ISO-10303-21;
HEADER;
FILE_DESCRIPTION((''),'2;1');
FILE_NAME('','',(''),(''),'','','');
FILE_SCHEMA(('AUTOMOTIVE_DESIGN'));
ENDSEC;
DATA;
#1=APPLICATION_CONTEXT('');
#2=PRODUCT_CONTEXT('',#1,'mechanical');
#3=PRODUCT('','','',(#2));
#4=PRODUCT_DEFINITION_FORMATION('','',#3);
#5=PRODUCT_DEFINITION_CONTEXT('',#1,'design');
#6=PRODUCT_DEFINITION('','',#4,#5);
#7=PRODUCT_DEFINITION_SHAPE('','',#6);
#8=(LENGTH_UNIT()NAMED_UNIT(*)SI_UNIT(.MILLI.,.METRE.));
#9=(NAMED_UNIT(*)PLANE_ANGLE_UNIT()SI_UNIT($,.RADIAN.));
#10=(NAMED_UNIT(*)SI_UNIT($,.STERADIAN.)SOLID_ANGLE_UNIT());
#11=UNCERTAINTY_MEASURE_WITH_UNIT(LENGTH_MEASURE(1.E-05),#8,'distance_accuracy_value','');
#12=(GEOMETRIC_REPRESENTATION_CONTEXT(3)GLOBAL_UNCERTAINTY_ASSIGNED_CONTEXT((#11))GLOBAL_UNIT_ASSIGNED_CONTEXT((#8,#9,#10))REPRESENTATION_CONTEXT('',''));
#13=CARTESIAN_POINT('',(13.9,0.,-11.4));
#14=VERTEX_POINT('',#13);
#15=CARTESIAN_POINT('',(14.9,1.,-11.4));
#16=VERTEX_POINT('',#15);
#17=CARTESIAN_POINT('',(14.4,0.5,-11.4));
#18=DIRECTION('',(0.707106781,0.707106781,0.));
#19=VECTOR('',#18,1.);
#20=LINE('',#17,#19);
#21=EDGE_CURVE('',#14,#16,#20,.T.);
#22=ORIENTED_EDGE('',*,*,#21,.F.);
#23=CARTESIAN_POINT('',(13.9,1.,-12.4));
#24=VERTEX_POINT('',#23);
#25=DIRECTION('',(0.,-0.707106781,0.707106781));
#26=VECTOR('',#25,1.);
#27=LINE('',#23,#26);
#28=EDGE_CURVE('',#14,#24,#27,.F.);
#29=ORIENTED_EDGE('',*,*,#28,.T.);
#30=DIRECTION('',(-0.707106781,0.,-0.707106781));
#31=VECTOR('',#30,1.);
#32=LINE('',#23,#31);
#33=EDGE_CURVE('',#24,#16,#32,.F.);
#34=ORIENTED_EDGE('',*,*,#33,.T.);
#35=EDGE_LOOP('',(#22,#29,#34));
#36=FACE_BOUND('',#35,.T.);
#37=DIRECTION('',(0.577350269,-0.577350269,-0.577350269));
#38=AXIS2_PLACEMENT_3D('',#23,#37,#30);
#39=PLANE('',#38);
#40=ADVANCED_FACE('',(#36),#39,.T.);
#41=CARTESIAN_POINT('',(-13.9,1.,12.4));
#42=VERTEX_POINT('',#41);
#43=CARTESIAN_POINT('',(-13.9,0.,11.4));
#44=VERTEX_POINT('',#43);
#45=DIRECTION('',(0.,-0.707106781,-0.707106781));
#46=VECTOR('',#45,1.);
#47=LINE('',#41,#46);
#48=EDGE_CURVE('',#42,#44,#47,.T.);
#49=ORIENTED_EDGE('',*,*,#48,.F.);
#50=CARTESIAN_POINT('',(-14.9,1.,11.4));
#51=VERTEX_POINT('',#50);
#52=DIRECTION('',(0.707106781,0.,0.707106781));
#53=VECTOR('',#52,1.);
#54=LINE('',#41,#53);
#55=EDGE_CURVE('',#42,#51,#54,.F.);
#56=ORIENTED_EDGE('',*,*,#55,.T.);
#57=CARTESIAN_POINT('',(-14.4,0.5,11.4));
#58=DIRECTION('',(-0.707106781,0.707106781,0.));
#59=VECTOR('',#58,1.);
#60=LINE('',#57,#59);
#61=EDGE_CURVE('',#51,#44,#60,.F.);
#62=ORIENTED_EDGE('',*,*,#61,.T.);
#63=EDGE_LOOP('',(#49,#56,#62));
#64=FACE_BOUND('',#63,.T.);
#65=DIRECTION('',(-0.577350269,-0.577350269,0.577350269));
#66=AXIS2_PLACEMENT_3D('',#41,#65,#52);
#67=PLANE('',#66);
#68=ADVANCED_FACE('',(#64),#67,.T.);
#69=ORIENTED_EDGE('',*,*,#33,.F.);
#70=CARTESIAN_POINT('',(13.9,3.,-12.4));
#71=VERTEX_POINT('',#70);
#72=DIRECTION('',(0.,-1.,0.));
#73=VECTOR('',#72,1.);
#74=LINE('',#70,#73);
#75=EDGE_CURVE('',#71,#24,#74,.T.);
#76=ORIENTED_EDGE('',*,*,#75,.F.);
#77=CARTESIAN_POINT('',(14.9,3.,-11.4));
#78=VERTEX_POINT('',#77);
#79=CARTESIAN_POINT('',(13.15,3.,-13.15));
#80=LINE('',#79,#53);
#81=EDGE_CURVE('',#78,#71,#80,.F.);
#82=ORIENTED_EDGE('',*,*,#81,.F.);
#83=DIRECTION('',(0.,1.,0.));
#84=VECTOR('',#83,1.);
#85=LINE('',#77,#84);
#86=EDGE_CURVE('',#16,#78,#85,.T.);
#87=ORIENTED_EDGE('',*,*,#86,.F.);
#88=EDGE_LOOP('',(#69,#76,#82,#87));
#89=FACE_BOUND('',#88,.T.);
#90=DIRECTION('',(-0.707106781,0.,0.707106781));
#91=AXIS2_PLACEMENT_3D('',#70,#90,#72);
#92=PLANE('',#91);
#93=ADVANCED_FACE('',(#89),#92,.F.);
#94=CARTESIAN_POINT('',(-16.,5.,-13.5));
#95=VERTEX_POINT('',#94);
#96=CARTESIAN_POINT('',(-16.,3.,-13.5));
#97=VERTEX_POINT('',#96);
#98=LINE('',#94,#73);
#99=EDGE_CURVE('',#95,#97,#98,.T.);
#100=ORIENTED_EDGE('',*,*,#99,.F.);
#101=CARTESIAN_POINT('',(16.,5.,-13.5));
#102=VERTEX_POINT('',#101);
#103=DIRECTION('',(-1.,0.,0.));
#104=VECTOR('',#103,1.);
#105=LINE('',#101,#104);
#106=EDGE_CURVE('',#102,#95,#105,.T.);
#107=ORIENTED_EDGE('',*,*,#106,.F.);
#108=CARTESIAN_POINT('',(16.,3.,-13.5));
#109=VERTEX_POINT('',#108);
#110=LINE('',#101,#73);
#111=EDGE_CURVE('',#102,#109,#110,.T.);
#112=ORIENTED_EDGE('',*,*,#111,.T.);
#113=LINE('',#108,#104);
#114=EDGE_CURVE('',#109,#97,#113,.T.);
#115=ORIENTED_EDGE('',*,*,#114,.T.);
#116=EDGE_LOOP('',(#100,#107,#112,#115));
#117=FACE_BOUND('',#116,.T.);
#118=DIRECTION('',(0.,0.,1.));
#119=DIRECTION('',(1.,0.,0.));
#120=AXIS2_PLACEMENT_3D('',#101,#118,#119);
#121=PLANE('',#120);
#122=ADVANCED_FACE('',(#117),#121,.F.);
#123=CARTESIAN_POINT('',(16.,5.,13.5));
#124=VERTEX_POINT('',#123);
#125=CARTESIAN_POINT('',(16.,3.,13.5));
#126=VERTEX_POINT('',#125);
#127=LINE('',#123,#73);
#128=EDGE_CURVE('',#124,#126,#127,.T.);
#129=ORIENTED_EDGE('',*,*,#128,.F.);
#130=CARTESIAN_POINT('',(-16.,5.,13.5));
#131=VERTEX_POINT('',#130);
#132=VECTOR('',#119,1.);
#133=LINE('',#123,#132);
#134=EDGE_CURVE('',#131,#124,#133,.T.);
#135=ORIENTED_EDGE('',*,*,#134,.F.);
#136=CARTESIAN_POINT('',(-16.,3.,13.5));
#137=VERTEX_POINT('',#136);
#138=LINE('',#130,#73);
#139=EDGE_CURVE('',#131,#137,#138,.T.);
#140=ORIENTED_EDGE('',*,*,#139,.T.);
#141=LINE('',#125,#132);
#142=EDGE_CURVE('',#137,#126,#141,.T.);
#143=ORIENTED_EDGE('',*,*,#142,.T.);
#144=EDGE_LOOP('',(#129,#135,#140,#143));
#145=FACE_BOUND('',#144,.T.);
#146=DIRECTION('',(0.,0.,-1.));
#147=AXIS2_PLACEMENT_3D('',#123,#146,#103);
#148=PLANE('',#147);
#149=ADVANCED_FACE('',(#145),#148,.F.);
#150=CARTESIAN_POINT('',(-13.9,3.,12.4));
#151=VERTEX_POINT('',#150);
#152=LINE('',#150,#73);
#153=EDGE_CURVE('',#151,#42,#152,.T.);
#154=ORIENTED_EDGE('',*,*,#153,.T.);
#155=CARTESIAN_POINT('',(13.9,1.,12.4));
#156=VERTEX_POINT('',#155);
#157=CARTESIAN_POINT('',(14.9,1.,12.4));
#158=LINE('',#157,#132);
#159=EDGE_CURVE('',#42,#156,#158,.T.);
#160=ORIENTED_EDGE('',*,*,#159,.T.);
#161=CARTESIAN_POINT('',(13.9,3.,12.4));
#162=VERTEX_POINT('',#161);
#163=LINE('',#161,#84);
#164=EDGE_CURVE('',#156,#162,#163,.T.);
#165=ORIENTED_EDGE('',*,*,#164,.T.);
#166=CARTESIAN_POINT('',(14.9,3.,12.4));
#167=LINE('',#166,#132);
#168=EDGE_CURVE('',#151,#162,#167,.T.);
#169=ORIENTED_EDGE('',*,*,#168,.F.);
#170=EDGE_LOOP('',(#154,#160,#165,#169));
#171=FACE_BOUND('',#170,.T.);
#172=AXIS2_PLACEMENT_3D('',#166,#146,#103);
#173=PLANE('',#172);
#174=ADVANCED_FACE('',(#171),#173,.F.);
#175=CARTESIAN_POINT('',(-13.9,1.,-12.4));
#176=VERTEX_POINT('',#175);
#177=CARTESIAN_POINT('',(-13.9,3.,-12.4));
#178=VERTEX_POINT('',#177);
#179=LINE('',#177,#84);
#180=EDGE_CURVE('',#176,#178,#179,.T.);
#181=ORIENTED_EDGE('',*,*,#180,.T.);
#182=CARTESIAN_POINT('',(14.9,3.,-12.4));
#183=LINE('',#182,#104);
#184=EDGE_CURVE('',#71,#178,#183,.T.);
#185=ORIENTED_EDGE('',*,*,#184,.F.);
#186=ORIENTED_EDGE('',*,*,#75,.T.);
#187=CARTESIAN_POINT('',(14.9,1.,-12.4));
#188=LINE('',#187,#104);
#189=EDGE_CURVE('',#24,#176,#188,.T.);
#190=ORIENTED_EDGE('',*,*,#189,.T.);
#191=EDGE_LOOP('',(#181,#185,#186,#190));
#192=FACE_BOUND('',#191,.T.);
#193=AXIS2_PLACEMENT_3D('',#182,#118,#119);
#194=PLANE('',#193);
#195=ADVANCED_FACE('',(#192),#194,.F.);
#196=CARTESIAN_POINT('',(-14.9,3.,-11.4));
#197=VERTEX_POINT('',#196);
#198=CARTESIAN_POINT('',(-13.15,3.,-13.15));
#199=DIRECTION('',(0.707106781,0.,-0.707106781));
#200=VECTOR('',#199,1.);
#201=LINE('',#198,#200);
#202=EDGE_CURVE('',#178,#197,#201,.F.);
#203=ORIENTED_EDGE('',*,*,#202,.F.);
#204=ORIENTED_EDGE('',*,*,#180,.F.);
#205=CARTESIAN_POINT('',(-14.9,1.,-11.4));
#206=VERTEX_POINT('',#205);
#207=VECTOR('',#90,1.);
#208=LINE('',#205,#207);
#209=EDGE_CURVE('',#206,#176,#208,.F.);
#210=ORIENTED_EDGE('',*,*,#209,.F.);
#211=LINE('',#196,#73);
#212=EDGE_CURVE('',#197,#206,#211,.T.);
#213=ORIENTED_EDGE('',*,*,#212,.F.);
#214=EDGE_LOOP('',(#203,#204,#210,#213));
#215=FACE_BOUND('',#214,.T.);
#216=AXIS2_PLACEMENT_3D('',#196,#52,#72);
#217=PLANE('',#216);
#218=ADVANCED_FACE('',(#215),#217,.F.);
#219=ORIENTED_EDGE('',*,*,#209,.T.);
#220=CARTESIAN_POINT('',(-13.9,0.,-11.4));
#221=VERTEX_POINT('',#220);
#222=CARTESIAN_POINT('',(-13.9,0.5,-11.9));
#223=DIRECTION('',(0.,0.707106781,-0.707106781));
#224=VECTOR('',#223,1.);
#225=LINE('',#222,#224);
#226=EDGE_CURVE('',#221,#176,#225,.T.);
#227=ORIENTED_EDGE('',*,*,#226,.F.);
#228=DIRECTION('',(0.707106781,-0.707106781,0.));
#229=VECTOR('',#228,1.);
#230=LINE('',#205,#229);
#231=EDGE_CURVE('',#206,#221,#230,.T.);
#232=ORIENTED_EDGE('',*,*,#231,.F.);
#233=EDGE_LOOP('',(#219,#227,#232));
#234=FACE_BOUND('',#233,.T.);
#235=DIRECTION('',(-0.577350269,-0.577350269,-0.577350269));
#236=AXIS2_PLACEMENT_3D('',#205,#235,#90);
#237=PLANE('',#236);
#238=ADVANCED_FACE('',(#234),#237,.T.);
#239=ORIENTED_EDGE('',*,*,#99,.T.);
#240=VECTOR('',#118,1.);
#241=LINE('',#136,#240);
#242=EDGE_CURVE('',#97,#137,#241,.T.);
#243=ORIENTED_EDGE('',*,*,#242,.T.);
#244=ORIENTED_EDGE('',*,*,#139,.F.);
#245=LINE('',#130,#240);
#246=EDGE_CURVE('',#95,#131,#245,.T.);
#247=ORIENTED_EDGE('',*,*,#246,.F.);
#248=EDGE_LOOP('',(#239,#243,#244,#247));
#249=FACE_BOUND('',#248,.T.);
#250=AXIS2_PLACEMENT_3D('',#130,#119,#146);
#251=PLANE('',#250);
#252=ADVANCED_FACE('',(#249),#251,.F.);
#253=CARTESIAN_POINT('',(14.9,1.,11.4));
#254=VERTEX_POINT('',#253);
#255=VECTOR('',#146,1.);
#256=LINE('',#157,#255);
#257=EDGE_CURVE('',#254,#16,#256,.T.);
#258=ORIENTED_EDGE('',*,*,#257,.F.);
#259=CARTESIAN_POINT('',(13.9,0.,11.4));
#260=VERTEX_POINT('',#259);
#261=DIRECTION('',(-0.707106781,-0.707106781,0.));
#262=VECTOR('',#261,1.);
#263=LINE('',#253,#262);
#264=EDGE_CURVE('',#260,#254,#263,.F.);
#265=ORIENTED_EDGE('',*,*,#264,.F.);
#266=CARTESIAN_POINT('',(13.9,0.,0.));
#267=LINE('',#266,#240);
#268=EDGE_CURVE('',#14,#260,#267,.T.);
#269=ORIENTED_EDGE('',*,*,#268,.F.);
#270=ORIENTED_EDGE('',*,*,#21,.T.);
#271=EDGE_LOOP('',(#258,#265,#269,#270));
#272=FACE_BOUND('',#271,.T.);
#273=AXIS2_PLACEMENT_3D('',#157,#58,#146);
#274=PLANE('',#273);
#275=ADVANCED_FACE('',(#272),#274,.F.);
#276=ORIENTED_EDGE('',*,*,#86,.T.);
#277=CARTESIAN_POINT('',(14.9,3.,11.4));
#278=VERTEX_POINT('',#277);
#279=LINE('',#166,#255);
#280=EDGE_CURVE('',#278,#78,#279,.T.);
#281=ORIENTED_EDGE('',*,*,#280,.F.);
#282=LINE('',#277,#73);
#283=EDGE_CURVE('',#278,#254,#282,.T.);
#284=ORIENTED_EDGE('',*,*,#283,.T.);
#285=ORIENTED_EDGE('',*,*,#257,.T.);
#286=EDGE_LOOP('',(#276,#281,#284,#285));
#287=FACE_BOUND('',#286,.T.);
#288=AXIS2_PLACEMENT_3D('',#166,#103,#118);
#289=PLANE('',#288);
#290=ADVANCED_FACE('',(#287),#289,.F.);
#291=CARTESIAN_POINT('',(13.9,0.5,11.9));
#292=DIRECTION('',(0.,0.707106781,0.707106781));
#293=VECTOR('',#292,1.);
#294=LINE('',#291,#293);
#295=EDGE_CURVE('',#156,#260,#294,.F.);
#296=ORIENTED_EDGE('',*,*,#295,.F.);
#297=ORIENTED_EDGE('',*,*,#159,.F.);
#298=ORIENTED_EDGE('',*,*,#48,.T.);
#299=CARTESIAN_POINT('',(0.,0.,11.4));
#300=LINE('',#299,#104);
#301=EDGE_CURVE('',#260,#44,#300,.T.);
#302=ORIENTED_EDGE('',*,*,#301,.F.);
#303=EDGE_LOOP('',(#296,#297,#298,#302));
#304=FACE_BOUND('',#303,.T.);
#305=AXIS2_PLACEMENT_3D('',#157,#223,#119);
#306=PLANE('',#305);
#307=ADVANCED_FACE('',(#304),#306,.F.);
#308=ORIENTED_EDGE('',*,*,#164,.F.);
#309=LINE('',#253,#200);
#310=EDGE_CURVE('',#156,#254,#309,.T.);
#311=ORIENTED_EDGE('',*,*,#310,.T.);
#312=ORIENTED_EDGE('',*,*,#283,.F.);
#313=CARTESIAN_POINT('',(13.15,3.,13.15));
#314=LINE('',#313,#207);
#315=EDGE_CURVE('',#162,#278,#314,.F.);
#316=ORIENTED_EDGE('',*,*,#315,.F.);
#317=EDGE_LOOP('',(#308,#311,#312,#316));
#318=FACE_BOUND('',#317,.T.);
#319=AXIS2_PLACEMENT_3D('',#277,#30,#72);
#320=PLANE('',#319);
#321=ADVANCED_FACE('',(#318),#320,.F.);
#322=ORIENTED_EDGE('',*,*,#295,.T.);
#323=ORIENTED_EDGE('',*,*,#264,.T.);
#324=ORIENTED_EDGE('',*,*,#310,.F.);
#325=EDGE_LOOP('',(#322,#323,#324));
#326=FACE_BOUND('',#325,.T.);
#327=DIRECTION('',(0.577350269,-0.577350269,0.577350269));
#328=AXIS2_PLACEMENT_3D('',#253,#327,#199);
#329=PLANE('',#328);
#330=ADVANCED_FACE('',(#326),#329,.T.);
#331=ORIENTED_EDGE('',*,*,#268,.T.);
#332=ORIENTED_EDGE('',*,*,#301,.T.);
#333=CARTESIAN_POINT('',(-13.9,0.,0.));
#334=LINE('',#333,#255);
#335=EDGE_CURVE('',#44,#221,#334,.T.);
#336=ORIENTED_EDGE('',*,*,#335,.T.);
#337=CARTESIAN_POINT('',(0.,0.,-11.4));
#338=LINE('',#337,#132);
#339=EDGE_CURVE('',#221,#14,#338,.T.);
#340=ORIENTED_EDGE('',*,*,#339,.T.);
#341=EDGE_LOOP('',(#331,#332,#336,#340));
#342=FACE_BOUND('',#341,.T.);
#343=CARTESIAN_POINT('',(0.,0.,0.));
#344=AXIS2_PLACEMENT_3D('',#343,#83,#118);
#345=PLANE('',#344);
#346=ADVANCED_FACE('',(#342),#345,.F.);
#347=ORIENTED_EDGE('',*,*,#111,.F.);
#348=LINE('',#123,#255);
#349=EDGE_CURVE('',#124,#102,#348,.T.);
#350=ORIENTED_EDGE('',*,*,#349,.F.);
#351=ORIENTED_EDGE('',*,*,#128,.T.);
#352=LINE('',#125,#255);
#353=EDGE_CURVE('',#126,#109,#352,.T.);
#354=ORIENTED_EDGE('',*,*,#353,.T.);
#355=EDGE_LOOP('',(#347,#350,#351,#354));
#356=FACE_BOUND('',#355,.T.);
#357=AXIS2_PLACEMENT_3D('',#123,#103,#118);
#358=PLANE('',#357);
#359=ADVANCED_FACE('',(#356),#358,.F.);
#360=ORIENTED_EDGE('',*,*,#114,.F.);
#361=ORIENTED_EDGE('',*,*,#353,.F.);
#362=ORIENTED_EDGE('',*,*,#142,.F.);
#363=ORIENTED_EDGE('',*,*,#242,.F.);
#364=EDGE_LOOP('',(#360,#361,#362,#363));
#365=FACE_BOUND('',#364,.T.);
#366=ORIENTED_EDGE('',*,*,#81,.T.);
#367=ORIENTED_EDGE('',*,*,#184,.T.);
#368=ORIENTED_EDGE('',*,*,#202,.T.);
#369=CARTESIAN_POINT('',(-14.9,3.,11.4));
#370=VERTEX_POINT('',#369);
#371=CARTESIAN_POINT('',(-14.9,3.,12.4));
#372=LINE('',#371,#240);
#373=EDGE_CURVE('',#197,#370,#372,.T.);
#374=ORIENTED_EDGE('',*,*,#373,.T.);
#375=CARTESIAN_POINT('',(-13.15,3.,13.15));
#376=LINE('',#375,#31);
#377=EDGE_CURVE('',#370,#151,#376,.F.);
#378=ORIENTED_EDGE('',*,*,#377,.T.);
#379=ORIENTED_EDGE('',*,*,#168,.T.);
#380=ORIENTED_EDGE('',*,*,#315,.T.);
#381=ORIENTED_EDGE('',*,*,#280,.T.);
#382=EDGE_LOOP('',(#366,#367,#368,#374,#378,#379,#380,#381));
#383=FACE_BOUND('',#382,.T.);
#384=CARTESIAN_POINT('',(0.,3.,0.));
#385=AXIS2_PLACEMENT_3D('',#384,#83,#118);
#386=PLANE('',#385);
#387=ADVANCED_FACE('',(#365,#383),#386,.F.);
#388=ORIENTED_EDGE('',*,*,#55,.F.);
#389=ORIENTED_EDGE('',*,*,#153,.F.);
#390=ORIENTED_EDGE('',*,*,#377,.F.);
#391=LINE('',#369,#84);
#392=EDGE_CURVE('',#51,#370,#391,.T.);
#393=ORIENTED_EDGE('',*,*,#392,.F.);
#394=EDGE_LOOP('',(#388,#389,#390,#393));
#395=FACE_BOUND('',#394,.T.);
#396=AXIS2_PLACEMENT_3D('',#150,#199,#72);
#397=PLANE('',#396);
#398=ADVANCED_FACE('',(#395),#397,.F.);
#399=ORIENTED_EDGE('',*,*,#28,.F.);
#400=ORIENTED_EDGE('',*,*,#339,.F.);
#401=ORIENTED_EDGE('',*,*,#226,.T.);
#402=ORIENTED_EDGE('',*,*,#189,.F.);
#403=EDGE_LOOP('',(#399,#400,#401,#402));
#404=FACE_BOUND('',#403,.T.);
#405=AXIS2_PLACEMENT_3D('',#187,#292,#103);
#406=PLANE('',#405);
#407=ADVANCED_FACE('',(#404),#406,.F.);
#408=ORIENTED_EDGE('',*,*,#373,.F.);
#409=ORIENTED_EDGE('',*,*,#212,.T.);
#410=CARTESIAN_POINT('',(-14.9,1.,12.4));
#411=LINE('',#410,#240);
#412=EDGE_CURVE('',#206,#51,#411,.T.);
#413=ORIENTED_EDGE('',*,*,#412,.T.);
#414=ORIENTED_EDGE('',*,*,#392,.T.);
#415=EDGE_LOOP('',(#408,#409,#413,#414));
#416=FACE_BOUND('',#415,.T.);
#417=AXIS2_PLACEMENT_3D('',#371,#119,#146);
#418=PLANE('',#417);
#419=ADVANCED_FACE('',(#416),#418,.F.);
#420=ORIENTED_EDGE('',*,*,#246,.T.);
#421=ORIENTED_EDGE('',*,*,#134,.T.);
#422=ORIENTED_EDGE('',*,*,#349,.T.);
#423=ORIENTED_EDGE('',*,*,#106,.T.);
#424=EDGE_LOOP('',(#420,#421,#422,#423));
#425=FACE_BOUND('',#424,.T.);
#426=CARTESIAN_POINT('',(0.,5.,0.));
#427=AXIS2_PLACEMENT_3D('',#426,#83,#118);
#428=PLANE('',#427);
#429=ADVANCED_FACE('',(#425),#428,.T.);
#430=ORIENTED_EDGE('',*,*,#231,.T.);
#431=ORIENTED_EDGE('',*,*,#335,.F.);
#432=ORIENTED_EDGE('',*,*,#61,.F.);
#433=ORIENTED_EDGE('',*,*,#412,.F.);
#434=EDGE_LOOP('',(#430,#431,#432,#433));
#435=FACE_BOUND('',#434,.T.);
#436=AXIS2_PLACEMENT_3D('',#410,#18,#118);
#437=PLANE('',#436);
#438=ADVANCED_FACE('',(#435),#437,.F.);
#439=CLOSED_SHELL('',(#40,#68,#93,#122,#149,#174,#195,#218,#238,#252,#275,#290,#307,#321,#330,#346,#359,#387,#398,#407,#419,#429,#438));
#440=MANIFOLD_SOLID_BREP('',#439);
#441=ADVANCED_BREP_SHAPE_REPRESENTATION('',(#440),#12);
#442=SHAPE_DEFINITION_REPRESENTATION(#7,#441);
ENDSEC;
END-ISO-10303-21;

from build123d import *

# Parameters (mm, degrees)
SKETCH1_W           = 29.8
SKETCH1_H           = 24.8
BOSS_EXTRUDE1_DEPTH = 3
SKETCH2_W           = 32
SKETCH2_H           = 27
BOSS_EXTRUDE2_DEPTH = 2
CHAMFER1_SIZE       = 1


with BuildPart() as part:
    # Sketch1 → Boss-Extrude1 (new body)
    with BuildSketch(Plane(origin=(0, 0, 0), x_dir=(1, 0, 0), z_dir=(0, 1, 0))):
        Rectangle(SKETCH1_W, SKETCH1_H)
    extrude(amount=BOSS_EXTRUDE1_DEPTH)

    # Sketch2 → Boss-Extrude2 (add)
    with BuildSketch(Plane(origin=(0, 3, 0), x_dir=(1, 0, 0), z_dir=(0, 1, 0))):
        Rectangle(SKETCH2_W, SKETCH2_H)
    extrude(amount=BOSS_EXTRUDE2_DEPTH)

    # Chamfer1
    chamfer1_edges = [part.edges().sort_by_distance(p)[0] for p in [
        (0, 0, -12.4),
        (14.9, 0, 0),
        (0, 0, 12.4),
        (-14.9, 0, 0),
        (-14.9, 1.5, -12.4),
        (14.9, 1.5, -12.4),
        (14.9, 1.5, 12.4),
        (-14.9, 1.5, 12.4),
    ]]
    chamfer(chamfer1_edges, length=CHAMFER1_SIZE)


solid = part.part
